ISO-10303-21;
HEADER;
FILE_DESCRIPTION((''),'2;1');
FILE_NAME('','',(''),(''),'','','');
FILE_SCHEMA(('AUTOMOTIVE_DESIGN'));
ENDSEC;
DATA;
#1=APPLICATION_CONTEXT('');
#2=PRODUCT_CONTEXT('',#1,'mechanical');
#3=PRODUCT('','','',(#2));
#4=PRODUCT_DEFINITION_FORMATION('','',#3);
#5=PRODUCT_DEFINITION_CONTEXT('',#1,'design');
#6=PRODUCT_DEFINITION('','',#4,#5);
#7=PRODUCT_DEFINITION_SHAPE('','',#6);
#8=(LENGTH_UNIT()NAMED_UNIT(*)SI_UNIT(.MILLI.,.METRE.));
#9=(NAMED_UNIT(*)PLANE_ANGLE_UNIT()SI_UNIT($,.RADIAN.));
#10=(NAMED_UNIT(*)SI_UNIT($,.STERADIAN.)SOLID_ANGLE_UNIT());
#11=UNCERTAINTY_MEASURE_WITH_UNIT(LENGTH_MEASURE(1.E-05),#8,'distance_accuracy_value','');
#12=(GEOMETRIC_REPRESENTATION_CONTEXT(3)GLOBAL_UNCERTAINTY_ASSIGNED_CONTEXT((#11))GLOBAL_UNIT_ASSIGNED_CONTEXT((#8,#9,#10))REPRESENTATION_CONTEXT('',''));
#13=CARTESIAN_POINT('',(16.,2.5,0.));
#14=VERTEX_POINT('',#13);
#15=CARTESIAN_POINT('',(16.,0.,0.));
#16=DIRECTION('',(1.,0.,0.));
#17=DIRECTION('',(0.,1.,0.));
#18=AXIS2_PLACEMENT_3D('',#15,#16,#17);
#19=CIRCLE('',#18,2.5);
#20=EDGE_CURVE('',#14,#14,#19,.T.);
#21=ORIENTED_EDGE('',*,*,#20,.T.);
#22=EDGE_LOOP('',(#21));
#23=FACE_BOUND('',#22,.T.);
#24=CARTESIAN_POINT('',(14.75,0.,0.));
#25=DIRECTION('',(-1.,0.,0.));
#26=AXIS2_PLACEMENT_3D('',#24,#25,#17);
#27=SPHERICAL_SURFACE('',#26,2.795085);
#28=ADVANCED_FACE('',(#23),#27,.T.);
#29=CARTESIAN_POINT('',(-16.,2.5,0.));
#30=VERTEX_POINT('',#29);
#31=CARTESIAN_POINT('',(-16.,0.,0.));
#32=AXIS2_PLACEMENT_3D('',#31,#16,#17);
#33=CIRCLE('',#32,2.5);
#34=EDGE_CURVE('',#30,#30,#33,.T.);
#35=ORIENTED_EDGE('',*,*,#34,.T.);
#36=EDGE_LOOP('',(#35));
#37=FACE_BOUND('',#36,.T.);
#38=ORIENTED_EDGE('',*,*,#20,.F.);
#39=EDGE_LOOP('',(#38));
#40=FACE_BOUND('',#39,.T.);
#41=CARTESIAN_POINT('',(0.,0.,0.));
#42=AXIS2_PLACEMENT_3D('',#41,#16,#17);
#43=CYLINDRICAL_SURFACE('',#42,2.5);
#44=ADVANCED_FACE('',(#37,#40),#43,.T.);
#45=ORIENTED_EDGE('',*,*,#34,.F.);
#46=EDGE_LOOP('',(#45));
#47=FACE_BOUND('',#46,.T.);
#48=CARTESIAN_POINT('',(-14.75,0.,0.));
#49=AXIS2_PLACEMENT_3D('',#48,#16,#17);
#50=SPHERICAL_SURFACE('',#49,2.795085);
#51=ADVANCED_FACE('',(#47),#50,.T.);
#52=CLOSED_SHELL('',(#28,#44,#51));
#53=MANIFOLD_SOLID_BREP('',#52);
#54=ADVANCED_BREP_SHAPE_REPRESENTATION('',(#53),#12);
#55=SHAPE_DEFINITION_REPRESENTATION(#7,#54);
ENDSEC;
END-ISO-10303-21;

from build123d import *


with BuildPart() as part:
    # Esquisse1 → Révolution1 (revolve)
    with BuildSketch(Plane.XY):
        with BuildLine():
            Line((-16, 2.5), (0, 2.5))
            Line((0, 2.5), (0, 0))
            Line((0, 0), (-17.545084972, 0))
            ThreePointArc((-17.545084972, 0), (-17.127641291, 1.469463131), (-16, 2.5))
        make_face()
    r_volution1 = revolve(axis=Axis((0, 0, 0), (-1, 0, 0)))

    # Symétrie2: Révolution1 across plane
    add(r_volution1.mirror(Plane(origin=(0, 2.5, 0), x_dir=(0, 0, 1), z_dir=(1, 0, 0))))


solid = part.part
